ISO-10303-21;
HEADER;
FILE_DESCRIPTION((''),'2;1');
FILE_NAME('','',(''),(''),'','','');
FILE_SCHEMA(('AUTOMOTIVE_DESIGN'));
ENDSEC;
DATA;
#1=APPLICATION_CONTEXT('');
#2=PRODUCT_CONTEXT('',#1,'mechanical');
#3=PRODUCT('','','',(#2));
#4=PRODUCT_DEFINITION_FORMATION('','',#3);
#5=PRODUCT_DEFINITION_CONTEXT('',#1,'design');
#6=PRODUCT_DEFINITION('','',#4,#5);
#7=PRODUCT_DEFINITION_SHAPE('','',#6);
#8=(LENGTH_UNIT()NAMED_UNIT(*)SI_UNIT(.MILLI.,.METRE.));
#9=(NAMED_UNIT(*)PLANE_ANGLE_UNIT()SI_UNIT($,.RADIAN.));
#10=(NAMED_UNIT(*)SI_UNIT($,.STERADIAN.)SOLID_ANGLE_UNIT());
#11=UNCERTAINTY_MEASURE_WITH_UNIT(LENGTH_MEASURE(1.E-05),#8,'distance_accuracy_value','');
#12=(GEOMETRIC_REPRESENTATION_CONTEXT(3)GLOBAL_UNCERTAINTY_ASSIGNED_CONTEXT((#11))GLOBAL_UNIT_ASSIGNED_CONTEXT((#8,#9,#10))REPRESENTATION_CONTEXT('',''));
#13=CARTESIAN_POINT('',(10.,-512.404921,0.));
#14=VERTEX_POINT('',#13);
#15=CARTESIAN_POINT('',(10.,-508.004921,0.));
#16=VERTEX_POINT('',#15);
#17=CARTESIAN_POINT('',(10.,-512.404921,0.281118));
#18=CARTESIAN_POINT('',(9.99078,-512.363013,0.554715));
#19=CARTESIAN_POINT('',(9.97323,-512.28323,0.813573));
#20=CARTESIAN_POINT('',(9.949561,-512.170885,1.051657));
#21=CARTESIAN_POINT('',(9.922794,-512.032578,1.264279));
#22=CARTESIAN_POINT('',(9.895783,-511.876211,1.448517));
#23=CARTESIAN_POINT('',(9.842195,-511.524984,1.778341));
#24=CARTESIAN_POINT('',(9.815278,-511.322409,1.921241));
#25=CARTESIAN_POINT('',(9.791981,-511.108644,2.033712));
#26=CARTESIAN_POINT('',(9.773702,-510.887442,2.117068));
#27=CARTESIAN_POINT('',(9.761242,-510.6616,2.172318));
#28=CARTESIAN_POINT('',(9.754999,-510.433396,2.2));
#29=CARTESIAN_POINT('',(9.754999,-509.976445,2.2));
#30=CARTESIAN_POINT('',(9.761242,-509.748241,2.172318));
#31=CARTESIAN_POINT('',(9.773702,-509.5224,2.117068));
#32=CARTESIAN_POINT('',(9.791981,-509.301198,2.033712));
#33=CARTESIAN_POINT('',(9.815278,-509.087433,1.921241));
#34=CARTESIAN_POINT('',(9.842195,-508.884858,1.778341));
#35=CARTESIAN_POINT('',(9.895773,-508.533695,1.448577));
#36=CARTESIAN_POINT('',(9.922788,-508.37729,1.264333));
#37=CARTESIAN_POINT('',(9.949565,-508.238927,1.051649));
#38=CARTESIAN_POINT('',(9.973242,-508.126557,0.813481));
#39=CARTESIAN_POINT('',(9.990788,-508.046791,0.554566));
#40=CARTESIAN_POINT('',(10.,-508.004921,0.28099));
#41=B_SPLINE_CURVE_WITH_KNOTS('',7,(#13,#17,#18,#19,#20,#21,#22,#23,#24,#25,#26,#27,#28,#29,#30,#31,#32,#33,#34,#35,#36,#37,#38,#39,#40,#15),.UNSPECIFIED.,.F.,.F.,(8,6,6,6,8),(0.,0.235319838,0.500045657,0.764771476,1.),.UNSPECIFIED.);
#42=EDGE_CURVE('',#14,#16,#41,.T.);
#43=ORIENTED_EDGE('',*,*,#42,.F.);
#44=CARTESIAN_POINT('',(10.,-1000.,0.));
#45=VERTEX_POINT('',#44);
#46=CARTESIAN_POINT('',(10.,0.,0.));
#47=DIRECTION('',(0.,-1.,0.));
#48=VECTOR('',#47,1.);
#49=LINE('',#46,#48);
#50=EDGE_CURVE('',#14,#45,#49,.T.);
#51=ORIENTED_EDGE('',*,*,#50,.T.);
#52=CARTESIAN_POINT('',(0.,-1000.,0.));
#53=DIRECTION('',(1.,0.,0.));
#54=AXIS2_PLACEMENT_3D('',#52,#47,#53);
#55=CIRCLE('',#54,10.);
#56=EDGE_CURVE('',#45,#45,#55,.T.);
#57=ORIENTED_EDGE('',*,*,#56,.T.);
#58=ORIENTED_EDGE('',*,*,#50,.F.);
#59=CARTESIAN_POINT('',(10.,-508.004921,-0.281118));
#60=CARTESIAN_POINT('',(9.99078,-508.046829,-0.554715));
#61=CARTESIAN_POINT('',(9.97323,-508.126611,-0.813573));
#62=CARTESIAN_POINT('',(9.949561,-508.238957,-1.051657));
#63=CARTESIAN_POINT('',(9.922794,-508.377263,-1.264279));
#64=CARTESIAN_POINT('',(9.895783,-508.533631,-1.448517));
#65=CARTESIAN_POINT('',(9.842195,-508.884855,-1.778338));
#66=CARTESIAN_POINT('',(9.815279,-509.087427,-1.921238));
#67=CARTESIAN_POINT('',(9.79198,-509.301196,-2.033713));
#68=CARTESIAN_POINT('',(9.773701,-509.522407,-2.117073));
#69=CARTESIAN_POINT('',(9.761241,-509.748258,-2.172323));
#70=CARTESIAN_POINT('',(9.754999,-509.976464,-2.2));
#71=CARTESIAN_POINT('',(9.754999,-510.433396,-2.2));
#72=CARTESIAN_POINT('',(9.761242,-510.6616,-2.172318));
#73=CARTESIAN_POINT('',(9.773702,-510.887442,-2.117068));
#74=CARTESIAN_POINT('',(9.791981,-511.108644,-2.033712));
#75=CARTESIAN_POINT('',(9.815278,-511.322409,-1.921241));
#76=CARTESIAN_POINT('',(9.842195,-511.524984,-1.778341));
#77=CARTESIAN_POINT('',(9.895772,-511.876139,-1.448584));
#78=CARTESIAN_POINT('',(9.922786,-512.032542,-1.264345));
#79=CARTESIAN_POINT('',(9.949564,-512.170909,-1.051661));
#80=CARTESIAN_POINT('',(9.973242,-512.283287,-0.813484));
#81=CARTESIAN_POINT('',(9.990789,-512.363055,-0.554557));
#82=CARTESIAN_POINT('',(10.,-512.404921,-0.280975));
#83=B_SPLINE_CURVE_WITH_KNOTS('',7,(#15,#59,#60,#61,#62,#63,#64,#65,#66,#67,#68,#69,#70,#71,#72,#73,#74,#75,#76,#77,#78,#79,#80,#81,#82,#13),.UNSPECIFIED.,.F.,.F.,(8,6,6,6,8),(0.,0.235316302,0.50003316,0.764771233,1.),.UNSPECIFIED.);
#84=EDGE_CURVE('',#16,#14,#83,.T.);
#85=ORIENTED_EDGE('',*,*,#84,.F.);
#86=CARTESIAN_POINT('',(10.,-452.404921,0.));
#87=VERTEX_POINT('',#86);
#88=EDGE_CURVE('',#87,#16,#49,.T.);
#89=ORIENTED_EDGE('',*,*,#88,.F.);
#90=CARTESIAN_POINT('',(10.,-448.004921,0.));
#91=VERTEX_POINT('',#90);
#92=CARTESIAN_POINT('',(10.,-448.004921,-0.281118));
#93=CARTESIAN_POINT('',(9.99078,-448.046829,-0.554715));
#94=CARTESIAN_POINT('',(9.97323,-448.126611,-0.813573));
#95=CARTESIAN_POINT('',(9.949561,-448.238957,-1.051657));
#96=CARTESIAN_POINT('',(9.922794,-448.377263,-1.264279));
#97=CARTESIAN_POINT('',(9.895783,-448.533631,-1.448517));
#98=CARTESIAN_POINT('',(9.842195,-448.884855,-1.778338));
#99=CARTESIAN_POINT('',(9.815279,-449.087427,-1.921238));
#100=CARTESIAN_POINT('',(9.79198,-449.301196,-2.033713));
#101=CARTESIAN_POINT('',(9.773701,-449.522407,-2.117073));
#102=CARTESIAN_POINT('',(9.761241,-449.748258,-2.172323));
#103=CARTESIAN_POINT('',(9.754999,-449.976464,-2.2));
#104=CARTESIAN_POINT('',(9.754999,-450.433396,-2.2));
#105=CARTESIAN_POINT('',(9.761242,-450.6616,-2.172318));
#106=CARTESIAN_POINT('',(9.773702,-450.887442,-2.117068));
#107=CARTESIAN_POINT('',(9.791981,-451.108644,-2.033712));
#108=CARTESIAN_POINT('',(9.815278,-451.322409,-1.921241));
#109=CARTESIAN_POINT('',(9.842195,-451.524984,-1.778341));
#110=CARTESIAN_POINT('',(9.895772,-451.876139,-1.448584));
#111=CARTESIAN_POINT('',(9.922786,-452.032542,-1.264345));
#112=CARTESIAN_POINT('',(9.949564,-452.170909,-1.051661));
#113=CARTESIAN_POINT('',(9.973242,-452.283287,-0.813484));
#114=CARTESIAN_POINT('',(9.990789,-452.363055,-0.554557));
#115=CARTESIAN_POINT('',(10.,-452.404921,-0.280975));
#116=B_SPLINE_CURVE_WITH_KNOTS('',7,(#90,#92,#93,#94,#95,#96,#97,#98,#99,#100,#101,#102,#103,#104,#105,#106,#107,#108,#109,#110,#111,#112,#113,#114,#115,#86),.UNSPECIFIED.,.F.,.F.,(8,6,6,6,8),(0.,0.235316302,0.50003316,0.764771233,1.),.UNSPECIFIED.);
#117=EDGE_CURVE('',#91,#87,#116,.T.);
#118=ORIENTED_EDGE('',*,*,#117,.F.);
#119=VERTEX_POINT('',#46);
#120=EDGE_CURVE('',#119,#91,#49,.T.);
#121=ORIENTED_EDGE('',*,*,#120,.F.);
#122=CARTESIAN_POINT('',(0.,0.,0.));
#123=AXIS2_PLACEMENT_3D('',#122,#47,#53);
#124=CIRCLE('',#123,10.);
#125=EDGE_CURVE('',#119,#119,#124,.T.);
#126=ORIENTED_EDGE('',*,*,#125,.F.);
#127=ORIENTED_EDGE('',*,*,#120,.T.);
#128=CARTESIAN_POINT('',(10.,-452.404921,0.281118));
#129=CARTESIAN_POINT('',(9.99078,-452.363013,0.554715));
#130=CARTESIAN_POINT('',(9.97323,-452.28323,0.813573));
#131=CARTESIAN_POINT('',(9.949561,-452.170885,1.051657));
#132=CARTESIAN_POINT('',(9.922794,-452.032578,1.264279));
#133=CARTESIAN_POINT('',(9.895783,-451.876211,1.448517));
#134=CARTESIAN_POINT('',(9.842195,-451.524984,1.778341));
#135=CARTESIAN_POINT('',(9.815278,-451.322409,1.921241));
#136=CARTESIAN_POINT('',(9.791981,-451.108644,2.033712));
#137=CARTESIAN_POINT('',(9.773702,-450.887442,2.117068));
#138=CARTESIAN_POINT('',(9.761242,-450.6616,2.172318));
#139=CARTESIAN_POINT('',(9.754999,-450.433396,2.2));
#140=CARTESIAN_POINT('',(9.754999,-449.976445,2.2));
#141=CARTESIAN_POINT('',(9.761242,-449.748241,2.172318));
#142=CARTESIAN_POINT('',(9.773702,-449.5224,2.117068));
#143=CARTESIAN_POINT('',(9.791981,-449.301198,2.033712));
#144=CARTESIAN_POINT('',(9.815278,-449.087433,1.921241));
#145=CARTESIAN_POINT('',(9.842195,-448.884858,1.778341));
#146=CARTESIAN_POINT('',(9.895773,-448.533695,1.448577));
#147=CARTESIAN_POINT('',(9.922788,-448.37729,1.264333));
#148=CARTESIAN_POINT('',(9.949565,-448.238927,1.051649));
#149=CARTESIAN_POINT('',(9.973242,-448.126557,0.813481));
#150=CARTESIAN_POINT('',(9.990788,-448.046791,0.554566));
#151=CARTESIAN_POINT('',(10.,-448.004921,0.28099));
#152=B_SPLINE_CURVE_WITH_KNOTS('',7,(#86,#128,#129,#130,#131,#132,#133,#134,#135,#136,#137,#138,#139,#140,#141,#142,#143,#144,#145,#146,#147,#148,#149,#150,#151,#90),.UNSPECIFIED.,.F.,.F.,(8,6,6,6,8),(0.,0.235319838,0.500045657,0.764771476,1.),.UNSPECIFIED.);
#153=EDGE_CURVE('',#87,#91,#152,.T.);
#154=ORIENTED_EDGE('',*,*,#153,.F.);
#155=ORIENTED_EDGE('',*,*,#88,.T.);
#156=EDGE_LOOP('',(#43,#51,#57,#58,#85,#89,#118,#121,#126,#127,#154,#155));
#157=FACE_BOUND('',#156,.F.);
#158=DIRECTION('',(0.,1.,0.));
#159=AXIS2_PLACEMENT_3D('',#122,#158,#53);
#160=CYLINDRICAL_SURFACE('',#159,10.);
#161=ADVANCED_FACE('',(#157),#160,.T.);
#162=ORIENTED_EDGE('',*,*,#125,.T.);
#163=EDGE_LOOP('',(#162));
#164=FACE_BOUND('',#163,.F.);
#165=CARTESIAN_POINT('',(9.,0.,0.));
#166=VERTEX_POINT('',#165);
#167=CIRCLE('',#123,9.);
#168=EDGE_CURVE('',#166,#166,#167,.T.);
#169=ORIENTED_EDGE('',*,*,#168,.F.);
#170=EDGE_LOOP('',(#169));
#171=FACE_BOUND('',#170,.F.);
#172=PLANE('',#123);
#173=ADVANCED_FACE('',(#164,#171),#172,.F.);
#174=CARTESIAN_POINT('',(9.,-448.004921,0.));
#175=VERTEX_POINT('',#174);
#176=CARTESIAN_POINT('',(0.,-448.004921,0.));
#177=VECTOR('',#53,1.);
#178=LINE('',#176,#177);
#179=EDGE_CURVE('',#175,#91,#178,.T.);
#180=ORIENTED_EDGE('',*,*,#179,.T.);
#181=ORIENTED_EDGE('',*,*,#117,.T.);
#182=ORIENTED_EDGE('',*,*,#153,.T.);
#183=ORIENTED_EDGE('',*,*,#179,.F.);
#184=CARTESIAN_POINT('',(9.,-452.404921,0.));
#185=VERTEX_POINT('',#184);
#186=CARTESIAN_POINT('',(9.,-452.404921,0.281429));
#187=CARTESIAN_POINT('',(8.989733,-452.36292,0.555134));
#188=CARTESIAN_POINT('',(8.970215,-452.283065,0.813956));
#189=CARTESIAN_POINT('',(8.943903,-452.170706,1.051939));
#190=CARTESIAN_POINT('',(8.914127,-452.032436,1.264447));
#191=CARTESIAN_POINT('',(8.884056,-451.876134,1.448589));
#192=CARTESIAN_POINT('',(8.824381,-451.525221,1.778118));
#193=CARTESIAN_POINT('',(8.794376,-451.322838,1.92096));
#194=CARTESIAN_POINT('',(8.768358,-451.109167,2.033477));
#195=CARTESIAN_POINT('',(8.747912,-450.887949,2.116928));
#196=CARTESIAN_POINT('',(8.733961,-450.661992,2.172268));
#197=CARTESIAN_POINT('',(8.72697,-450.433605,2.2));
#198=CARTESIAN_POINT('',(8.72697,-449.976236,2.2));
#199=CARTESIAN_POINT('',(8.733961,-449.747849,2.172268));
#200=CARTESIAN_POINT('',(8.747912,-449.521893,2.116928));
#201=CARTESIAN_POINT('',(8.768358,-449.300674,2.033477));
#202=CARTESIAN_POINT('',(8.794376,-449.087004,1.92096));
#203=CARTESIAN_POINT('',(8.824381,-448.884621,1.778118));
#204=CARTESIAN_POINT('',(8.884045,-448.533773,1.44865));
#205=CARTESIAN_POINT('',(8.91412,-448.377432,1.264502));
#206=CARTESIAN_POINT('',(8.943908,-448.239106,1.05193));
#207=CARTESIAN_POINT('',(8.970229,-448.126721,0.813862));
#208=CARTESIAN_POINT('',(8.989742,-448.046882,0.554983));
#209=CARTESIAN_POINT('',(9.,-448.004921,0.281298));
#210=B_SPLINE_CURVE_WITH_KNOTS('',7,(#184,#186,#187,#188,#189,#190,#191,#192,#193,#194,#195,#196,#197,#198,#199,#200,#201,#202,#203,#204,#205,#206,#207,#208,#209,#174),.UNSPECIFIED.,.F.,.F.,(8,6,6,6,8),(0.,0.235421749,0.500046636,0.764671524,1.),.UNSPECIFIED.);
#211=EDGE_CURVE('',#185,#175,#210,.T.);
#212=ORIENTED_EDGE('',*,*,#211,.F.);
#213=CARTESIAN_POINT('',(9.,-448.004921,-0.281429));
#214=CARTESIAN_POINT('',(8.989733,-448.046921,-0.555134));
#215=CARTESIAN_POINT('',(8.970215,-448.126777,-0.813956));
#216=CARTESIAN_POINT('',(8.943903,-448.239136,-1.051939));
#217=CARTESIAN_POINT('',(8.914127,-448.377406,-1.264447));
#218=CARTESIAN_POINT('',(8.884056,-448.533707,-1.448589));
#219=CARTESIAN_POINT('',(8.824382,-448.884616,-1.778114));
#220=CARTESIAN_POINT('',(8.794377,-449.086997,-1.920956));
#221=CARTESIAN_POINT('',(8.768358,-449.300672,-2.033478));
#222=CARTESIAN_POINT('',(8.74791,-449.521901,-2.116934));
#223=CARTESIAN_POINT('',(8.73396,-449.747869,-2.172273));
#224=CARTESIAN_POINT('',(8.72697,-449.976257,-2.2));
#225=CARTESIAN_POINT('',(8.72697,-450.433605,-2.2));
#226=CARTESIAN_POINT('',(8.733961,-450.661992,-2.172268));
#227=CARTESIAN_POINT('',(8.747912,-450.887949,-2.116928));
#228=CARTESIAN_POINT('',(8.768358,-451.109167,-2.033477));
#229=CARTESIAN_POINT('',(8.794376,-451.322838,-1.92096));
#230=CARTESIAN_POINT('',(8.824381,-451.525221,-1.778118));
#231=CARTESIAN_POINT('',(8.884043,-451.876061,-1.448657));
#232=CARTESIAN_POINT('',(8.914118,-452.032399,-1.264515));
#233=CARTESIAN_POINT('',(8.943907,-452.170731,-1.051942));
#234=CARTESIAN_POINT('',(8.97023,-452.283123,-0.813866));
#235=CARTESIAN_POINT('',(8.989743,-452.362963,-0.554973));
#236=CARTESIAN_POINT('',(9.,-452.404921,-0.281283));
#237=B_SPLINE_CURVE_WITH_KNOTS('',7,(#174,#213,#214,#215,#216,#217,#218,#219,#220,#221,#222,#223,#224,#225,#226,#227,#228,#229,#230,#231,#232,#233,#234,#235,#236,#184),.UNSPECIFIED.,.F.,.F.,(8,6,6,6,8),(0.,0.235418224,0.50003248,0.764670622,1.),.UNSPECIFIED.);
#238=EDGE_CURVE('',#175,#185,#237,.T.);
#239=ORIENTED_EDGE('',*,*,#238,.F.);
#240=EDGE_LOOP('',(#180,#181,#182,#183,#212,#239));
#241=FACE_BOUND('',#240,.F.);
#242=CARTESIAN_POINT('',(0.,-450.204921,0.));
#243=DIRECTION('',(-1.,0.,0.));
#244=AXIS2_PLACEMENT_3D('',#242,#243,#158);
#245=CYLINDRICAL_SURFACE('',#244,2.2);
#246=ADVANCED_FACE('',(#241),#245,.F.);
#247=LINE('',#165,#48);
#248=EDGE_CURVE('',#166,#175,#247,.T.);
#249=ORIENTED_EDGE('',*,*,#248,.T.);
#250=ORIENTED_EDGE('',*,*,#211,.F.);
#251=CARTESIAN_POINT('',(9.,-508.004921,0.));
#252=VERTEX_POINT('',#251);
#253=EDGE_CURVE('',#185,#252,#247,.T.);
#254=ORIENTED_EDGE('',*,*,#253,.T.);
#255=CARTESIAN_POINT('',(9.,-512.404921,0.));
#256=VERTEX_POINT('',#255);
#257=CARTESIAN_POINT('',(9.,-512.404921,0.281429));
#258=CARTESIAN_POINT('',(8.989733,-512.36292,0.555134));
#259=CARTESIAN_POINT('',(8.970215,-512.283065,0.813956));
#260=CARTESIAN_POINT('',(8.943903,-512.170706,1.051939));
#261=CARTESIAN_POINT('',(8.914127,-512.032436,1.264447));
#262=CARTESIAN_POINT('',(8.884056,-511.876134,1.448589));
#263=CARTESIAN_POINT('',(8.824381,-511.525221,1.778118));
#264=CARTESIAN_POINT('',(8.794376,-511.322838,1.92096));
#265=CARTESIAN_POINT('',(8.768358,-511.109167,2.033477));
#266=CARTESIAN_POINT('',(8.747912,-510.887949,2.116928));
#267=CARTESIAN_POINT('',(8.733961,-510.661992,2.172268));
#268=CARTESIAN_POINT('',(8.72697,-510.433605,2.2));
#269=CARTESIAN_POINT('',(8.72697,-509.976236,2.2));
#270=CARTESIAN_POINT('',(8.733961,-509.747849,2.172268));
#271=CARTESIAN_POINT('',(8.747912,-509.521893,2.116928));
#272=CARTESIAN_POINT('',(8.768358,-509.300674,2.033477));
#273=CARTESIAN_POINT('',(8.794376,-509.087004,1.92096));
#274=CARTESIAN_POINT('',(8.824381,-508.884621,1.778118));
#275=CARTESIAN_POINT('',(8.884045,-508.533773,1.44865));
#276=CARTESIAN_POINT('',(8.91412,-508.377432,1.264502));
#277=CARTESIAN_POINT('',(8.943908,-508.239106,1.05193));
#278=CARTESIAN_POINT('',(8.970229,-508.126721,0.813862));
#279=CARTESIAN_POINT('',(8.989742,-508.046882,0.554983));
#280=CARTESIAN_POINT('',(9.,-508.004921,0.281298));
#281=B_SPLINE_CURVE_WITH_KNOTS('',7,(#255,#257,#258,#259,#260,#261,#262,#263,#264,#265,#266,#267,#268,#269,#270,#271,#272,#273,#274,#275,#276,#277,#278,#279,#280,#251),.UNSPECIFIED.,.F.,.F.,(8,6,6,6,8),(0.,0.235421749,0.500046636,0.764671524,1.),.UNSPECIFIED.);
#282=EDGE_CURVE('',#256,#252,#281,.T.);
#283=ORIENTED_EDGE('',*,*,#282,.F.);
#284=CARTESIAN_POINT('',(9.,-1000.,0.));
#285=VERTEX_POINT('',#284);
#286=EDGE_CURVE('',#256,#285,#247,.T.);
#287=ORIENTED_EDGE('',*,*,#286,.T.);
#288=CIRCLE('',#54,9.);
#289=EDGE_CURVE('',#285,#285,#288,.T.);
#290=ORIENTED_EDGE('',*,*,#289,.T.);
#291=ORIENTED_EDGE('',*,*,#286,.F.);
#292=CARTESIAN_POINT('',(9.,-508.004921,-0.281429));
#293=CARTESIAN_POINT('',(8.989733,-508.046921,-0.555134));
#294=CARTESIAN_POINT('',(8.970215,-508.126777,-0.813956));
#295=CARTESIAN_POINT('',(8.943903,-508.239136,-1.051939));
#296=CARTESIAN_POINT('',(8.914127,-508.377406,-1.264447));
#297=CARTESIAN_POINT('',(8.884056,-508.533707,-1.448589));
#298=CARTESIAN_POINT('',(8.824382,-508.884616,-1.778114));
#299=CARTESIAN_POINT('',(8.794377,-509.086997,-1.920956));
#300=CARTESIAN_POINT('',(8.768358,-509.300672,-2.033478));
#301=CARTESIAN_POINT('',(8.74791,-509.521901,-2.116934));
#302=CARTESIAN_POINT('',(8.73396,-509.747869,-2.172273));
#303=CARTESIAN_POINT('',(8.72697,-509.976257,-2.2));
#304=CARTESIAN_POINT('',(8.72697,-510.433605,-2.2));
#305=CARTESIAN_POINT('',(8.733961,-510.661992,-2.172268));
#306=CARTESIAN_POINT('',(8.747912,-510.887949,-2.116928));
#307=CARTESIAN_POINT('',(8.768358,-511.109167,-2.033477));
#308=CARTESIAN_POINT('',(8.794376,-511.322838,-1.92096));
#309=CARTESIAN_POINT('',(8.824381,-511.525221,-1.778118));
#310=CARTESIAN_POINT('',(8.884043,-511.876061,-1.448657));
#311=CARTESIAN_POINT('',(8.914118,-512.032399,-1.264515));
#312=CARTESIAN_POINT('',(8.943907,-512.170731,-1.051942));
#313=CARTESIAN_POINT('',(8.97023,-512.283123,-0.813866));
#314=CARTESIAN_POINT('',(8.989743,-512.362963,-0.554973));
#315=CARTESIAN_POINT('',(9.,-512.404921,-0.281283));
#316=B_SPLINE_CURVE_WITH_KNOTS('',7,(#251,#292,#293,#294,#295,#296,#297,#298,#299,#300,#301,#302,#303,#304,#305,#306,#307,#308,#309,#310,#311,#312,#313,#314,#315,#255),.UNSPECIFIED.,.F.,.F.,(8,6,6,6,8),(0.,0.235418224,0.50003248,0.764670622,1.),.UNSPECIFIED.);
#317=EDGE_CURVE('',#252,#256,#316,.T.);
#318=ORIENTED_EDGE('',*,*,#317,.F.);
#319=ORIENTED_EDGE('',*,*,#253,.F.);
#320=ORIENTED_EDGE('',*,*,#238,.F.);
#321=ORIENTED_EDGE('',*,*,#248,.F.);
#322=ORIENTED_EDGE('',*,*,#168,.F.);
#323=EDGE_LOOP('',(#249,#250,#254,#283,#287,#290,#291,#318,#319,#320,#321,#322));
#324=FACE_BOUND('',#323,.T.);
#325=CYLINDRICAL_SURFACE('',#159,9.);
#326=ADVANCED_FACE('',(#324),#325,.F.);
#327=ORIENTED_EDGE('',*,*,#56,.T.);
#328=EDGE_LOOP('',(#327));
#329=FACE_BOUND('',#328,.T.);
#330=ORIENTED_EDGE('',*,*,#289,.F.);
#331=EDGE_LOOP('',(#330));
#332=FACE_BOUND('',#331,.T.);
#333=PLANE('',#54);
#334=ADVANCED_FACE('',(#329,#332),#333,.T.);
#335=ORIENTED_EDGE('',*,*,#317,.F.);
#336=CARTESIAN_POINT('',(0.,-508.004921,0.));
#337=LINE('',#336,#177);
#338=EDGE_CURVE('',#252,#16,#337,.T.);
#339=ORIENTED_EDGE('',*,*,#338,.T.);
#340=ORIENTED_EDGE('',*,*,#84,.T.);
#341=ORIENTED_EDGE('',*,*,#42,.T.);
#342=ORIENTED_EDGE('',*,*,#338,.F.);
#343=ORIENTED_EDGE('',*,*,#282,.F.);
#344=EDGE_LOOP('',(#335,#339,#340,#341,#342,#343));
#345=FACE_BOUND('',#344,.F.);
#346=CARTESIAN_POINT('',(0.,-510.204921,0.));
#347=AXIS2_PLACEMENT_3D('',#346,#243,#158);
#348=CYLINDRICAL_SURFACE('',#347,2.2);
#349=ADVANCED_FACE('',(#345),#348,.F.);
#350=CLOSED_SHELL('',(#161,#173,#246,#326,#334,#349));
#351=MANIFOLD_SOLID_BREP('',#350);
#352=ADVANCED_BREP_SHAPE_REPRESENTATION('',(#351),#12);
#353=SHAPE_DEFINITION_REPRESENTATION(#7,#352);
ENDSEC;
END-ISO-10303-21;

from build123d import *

# Parameters (mm, degrees)
F0_R     = 10
F0_R_2   = 9
F1_DEPTH = 1000
F3_D     = 4.4
F3_DEPTH = 10.001


with BuildPart() as f1:
    # F0 (on Front) → F1 (new body)
    with BuildSketch(Plane.XZ):
        Circle(F0_R)
        Circle(F0_R_2, mode=Mode.SUBTRACT)
    extrude(amount=F1_DEPTH)

    # F3 (through all, one way)
    with BuildSketch(Plane(origin=(0, 0, 0), x_dir=(0, 1, 0), z_dir=(-1, 0, 0))):
        with Locations((-510.20492077, 0), (-450.20492077, 0)):
            Circle(F3_D / 2)
    extrude(amount=-F3_DEPTH, mode=Mode.SUBTRACT)


solid = f1.part
